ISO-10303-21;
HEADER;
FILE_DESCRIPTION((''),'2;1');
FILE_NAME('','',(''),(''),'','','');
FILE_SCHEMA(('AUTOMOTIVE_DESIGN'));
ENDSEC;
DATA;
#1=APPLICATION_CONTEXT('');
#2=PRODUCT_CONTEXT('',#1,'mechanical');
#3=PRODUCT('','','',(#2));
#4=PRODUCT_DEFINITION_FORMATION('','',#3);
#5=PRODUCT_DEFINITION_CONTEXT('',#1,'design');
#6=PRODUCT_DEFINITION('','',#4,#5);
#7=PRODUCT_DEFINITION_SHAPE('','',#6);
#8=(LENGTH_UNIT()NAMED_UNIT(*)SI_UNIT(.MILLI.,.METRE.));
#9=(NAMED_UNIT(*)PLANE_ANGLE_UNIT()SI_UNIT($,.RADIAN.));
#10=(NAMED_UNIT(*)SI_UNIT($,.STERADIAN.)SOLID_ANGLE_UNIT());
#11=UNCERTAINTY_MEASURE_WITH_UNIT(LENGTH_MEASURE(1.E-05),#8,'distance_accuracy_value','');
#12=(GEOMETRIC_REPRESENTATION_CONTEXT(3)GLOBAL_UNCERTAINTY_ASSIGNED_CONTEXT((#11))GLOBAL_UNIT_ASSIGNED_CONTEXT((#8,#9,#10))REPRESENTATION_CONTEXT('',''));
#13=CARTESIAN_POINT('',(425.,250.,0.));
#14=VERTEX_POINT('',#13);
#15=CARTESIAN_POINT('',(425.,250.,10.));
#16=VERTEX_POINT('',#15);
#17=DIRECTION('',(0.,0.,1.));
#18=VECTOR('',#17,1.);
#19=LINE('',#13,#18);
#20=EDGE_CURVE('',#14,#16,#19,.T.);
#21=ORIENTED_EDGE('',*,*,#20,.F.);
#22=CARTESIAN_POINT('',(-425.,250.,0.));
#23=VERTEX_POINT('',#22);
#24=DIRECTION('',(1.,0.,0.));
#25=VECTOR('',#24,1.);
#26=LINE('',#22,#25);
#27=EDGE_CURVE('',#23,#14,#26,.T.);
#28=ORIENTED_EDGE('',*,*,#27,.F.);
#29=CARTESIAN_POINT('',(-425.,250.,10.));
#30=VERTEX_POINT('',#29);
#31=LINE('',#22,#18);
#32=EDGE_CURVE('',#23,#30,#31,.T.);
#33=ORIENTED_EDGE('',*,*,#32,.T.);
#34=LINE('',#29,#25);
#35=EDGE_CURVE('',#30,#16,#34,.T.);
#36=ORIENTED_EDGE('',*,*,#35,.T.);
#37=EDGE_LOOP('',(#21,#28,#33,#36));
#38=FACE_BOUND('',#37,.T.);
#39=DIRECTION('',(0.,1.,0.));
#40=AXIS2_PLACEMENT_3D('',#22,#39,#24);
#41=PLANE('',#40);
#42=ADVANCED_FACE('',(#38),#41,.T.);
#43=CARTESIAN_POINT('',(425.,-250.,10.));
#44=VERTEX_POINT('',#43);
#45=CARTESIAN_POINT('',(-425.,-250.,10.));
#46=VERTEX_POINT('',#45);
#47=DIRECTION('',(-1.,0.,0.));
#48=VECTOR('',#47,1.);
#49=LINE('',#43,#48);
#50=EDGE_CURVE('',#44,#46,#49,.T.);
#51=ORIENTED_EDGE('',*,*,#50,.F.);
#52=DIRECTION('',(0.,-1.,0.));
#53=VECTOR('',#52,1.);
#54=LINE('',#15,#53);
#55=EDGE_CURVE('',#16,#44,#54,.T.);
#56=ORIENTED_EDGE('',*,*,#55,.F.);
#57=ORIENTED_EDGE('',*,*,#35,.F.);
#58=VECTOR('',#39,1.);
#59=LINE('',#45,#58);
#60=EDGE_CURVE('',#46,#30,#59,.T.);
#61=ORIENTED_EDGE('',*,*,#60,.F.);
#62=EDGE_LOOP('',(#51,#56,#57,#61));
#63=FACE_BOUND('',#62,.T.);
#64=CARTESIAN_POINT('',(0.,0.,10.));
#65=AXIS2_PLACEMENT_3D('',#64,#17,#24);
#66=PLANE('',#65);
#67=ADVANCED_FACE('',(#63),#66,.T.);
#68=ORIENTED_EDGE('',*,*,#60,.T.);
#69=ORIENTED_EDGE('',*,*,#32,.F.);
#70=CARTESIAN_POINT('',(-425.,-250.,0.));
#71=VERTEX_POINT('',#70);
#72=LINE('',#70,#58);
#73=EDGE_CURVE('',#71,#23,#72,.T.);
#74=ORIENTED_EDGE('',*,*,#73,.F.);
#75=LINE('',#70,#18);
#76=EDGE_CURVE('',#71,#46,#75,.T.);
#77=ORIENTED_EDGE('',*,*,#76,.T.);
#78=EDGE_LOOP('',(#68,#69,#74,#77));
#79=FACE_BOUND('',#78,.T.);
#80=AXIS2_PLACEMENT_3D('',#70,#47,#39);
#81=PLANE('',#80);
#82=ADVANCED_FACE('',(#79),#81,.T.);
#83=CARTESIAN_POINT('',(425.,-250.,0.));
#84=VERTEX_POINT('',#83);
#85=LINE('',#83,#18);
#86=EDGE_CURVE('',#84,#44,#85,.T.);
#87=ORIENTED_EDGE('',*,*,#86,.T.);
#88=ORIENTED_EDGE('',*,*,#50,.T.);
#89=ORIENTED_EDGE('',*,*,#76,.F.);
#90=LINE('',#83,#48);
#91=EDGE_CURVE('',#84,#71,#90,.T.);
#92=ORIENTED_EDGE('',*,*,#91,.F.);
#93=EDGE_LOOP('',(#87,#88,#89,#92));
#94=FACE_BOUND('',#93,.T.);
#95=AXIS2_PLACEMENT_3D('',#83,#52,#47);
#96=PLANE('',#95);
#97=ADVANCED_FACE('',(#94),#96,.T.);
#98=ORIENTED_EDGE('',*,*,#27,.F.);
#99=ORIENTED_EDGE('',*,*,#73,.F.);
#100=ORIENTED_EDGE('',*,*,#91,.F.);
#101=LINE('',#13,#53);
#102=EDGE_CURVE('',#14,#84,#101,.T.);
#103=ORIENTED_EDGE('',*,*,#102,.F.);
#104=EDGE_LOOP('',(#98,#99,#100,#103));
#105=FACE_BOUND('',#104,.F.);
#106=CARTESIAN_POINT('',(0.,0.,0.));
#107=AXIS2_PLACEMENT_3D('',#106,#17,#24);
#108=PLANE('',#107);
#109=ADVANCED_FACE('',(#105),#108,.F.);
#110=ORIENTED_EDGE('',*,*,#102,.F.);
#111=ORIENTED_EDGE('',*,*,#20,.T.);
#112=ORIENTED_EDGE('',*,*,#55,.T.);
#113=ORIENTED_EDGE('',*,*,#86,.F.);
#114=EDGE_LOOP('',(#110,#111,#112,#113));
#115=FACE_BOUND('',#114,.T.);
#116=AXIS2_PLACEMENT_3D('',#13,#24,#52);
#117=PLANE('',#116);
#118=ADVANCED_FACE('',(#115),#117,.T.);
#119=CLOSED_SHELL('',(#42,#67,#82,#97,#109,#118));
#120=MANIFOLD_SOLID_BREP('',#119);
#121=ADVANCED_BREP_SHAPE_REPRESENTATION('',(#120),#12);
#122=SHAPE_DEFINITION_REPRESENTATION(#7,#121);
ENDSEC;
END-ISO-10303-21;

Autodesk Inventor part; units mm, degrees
ref_plane "YZ Plane" through (0, 0, 0) normal (1, 0, 0) x (0, 1, 0)
ref_plane "XZ Plane" through (0, 0, 0) normal (0, 1, 0) x (-1, 0, 0)
ref_plane "XY Plane" through (0, 0, 0) normal (0, 0, 1) x (1, 0, 0)
sketch "草圖1" plane through (0, 0, 0) normal (0, 0, 1) x (1, 0, 0)
  line L0 (-425, 250) -> (425, 250)
  line L1 (425, 250) -> (425, -250)
  line L2 (425, -250) -> (-425, -250)
  line L3 (-425, -250) -> (-425, 250)
  point P0 (0, 0)
  dimension "d0" = 850
  dimension "d1" = 425
  dimension "d2" = 500
  dimension "d3" = 250
extrude "擠出1" add sketch "草圖1" along normal blind 10
properties part number "電控板" material "鐵、灰色"
